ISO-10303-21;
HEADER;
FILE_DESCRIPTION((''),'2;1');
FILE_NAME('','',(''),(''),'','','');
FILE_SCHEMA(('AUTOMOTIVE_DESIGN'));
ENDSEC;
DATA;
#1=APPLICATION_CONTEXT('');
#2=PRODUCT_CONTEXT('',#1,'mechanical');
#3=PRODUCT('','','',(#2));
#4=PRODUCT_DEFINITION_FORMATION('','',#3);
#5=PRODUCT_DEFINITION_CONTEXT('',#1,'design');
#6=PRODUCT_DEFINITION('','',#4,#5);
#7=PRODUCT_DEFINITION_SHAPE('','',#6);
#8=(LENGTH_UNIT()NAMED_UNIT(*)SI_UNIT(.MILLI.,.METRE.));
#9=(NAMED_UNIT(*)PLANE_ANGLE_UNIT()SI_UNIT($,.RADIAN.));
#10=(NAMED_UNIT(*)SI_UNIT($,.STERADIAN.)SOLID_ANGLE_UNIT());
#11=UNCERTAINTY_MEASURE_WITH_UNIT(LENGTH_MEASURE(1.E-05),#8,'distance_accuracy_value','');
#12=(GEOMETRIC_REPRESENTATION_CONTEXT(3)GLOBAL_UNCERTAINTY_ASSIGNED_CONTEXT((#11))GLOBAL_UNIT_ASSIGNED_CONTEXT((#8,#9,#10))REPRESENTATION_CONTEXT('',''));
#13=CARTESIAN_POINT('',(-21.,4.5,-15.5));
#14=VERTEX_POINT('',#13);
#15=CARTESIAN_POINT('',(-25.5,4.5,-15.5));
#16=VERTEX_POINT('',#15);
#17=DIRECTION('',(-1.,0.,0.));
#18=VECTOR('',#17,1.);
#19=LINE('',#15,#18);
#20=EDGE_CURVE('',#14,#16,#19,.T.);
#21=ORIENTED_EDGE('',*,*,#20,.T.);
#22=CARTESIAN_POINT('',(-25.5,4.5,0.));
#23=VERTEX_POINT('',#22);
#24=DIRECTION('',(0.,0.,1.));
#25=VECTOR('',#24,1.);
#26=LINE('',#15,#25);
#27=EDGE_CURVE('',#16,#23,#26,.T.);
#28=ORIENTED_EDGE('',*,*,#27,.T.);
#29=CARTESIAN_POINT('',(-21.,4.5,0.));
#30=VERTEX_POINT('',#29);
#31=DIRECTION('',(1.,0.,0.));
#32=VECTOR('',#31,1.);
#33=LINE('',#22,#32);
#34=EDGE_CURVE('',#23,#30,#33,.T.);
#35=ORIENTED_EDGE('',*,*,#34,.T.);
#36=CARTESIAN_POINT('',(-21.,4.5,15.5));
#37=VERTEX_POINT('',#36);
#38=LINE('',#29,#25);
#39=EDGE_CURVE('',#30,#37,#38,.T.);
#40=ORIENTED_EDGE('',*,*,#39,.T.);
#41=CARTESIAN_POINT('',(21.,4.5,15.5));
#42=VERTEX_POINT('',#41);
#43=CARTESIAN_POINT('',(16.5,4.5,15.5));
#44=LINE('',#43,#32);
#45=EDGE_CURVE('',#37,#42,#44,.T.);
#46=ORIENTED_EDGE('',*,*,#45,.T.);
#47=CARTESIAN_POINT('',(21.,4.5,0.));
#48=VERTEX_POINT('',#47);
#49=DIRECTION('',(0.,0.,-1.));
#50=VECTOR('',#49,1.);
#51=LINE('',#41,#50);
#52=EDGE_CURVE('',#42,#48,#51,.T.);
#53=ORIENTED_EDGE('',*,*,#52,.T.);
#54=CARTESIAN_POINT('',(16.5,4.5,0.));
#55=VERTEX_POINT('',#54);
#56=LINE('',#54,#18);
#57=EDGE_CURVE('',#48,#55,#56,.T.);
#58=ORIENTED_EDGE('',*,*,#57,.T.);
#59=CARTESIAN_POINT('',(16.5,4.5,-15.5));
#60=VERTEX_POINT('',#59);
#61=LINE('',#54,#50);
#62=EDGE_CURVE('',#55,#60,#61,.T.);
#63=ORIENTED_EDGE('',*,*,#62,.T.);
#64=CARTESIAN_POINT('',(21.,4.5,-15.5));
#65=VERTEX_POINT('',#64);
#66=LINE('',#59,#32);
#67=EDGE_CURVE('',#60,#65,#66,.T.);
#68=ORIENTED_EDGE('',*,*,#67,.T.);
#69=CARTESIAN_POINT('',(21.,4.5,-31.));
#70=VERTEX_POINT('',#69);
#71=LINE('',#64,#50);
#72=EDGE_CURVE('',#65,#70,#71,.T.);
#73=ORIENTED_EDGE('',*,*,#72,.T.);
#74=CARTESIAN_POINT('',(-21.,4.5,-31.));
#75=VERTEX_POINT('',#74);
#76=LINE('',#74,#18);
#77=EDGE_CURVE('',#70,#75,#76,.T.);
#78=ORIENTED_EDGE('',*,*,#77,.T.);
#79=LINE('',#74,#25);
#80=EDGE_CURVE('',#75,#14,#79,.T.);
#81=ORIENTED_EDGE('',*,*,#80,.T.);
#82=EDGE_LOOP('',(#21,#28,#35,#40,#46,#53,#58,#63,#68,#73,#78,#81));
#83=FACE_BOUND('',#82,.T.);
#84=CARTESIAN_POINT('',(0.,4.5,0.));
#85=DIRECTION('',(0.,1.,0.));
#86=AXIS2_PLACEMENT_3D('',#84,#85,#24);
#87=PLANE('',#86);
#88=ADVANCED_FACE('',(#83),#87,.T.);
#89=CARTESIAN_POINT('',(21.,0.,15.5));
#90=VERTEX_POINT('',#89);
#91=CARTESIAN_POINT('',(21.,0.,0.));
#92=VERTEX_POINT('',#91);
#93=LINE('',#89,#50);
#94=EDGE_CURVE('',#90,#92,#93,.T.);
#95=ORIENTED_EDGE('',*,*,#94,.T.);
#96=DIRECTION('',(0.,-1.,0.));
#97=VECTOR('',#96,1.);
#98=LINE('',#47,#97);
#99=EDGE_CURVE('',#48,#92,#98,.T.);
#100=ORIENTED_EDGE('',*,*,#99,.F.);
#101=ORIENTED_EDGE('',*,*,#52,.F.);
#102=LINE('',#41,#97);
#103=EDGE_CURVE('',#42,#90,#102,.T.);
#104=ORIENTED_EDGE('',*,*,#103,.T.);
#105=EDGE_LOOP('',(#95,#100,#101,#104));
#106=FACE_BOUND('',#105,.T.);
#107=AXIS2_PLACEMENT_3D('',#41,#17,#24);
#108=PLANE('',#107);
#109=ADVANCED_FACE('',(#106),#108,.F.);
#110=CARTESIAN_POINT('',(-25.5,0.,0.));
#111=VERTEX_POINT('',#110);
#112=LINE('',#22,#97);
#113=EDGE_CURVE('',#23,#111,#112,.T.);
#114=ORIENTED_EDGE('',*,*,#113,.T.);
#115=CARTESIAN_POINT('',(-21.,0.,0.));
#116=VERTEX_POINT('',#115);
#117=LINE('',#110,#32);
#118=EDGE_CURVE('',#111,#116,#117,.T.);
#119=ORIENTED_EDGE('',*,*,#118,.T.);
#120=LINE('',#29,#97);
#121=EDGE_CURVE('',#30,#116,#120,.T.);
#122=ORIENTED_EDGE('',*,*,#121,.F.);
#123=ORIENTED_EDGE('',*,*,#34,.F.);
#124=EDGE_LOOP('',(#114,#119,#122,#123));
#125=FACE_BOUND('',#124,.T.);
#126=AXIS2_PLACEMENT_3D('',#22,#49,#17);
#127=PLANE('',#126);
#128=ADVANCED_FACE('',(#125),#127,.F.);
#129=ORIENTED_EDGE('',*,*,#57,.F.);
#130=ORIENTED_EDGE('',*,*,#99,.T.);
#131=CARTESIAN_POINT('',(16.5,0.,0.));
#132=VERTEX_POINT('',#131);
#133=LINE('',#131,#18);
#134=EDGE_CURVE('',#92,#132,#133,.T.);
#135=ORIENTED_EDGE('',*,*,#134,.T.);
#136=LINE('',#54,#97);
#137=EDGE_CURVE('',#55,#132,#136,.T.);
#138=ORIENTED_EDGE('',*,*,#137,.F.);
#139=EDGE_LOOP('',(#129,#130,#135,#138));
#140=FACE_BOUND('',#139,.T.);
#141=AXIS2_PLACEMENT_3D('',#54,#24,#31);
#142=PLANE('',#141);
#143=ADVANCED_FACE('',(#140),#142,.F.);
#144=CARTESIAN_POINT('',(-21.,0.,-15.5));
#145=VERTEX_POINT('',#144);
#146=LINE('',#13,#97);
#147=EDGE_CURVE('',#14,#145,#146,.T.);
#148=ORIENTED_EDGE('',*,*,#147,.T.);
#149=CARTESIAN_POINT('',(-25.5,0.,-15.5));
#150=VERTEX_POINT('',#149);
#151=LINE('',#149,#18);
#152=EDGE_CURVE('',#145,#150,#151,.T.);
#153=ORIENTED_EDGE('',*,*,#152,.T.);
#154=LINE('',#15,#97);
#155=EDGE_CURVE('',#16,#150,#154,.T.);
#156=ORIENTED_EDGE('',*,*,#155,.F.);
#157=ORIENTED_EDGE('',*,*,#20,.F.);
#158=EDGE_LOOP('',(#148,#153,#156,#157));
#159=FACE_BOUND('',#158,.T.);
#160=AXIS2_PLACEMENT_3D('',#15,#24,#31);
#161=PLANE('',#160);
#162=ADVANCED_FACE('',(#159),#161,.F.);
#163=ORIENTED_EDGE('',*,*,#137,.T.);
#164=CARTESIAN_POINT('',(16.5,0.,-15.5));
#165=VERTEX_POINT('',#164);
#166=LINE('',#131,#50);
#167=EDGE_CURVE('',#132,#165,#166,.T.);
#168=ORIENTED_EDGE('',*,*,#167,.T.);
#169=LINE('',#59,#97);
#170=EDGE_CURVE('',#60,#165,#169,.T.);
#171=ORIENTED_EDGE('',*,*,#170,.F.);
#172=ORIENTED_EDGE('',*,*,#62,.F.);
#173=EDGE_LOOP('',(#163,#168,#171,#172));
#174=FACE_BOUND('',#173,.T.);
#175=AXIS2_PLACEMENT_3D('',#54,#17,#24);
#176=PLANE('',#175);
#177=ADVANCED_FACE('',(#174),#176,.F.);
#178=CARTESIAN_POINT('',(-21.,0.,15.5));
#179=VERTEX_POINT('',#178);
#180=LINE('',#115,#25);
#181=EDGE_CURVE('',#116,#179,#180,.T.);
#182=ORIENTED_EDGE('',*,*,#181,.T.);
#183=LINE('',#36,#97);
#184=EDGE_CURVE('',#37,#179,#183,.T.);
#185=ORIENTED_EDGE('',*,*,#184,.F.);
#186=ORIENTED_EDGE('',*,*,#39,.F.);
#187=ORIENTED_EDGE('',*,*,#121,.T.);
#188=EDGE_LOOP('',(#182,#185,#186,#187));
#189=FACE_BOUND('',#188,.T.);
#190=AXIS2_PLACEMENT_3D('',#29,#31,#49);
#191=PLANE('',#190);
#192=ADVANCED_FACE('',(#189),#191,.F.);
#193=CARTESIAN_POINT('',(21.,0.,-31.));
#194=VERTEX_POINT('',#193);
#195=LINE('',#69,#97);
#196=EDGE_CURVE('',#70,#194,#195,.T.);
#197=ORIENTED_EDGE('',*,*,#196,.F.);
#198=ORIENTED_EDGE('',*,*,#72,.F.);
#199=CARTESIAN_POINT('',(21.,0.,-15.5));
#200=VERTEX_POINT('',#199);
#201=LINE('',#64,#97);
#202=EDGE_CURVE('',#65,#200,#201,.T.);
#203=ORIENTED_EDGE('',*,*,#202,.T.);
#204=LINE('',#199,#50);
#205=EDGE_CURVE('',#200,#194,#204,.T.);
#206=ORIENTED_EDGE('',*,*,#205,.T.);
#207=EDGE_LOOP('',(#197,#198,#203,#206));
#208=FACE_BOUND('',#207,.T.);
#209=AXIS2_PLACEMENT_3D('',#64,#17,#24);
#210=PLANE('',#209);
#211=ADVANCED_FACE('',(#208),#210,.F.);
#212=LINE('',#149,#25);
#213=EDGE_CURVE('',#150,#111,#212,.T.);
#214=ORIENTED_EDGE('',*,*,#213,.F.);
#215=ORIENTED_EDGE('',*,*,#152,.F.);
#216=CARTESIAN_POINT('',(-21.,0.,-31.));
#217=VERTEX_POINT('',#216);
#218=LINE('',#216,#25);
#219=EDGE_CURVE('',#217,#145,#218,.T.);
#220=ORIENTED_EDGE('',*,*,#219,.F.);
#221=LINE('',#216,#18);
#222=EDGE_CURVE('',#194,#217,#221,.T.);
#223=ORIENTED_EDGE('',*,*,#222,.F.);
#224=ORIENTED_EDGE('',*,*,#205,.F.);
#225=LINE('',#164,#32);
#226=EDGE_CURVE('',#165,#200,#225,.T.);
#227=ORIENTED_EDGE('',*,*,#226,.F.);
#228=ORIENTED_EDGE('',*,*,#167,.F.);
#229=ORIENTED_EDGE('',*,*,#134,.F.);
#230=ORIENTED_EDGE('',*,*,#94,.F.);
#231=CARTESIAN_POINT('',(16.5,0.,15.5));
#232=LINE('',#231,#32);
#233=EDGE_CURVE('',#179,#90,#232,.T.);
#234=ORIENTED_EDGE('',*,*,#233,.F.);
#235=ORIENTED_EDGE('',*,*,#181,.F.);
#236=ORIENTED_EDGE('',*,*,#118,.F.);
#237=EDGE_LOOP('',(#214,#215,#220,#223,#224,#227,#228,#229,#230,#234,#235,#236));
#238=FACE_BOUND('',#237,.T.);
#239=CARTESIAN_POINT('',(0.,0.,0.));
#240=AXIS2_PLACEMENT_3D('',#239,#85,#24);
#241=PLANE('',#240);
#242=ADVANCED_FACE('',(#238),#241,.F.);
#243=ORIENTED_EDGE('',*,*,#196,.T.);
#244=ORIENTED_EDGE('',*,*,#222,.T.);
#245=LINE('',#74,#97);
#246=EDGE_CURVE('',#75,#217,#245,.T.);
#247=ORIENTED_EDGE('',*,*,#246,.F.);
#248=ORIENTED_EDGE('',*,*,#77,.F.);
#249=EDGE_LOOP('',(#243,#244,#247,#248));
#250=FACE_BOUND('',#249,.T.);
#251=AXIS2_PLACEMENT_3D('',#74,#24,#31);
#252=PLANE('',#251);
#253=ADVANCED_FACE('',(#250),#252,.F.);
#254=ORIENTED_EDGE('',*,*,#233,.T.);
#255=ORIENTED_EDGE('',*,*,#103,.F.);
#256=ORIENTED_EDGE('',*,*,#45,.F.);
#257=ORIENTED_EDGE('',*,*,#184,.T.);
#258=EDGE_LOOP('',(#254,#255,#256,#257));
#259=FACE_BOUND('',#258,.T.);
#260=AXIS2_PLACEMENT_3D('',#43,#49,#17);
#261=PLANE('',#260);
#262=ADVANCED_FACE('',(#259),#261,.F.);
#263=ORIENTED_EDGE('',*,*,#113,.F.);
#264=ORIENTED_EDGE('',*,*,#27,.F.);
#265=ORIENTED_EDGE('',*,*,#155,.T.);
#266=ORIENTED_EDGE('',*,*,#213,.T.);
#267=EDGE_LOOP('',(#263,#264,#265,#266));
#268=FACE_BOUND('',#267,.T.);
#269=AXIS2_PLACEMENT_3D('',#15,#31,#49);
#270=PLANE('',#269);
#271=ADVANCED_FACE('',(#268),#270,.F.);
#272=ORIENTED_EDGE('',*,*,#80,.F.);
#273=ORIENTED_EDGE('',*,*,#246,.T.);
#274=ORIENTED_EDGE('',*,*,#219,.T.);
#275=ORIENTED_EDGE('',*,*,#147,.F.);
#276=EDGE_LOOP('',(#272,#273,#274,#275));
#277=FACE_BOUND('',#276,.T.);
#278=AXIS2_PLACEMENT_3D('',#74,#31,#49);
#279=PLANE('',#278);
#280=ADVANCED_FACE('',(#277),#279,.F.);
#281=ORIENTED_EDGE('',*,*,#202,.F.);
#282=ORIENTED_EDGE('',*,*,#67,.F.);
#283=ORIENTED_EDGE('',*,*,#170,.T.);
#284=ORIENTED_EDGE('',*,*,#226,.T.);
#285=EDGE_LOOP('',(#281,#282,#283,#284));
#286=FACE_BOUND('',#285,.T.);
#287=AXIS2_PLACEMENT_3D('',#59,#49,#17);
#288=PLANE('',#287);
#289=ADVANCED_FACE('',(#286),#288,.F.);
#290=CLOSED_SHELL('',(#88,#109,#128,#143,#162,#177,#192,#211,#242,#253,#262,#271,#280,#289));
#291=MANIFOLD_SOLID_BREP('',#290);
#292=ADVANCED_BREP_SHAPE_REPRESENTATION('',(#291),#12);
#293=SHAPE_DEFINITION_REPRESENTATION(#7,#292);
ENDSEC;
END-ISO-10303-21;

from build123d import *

# Parameters (mm, degrees)
BOSS_EXTRUDE1_DEPTH = 4.5
SKETCH2_W           = 51.255573275
SKETCH2_H           = 30.547230998
CUT_EXTRUDE1_DEPTH  = 5.5


with BuildPart() as part:
    # Sketch1 → Boss-Extrude1 (new body)
    with BuildSketch(Plane(origin=(0, 0, 0), x_dir=(1, 0, 0), z_dir=(0, 1, 0))):
        Polygon((-21, 0), (-21, -15.5), (-25.5, -15.5), (-25.5, -31), (-21, -31), (-21, -35.5), (-16.5, -35.5), (-16.5, -31), (0, -31), (0, -35.5), (4.5, -35.5), (4.5, -31), (16.5, -31), (16.5, -15.5), (21, -15.5), (21, 0), (16.5, 0), (16.5, 15.5), (21, 15.5), (21, 31), (-21, 31), (-21, 15.5), (-25.5, 15.5), (-25.5, 0), align=None)
    extrude(amount=BOSS_EXTRUDE1_DEPTH)

    # Sketch2 → Cut-Extrude1 (cut, through all)
    with BuildSketch(Plane(origin=(0, 4.5, 0), x_dir=(1, 0, 0), z_dir=(0, 1, 0))):
        with Locations((0.127786638, -30.773615499)):
            Rectangle(SKETCH2_W, SKETCH2_H)
    extrude(amount=-CUT_EXTRUDE1_DEPTH, mode=Mode.SUBTRACT)


solid = part.part
